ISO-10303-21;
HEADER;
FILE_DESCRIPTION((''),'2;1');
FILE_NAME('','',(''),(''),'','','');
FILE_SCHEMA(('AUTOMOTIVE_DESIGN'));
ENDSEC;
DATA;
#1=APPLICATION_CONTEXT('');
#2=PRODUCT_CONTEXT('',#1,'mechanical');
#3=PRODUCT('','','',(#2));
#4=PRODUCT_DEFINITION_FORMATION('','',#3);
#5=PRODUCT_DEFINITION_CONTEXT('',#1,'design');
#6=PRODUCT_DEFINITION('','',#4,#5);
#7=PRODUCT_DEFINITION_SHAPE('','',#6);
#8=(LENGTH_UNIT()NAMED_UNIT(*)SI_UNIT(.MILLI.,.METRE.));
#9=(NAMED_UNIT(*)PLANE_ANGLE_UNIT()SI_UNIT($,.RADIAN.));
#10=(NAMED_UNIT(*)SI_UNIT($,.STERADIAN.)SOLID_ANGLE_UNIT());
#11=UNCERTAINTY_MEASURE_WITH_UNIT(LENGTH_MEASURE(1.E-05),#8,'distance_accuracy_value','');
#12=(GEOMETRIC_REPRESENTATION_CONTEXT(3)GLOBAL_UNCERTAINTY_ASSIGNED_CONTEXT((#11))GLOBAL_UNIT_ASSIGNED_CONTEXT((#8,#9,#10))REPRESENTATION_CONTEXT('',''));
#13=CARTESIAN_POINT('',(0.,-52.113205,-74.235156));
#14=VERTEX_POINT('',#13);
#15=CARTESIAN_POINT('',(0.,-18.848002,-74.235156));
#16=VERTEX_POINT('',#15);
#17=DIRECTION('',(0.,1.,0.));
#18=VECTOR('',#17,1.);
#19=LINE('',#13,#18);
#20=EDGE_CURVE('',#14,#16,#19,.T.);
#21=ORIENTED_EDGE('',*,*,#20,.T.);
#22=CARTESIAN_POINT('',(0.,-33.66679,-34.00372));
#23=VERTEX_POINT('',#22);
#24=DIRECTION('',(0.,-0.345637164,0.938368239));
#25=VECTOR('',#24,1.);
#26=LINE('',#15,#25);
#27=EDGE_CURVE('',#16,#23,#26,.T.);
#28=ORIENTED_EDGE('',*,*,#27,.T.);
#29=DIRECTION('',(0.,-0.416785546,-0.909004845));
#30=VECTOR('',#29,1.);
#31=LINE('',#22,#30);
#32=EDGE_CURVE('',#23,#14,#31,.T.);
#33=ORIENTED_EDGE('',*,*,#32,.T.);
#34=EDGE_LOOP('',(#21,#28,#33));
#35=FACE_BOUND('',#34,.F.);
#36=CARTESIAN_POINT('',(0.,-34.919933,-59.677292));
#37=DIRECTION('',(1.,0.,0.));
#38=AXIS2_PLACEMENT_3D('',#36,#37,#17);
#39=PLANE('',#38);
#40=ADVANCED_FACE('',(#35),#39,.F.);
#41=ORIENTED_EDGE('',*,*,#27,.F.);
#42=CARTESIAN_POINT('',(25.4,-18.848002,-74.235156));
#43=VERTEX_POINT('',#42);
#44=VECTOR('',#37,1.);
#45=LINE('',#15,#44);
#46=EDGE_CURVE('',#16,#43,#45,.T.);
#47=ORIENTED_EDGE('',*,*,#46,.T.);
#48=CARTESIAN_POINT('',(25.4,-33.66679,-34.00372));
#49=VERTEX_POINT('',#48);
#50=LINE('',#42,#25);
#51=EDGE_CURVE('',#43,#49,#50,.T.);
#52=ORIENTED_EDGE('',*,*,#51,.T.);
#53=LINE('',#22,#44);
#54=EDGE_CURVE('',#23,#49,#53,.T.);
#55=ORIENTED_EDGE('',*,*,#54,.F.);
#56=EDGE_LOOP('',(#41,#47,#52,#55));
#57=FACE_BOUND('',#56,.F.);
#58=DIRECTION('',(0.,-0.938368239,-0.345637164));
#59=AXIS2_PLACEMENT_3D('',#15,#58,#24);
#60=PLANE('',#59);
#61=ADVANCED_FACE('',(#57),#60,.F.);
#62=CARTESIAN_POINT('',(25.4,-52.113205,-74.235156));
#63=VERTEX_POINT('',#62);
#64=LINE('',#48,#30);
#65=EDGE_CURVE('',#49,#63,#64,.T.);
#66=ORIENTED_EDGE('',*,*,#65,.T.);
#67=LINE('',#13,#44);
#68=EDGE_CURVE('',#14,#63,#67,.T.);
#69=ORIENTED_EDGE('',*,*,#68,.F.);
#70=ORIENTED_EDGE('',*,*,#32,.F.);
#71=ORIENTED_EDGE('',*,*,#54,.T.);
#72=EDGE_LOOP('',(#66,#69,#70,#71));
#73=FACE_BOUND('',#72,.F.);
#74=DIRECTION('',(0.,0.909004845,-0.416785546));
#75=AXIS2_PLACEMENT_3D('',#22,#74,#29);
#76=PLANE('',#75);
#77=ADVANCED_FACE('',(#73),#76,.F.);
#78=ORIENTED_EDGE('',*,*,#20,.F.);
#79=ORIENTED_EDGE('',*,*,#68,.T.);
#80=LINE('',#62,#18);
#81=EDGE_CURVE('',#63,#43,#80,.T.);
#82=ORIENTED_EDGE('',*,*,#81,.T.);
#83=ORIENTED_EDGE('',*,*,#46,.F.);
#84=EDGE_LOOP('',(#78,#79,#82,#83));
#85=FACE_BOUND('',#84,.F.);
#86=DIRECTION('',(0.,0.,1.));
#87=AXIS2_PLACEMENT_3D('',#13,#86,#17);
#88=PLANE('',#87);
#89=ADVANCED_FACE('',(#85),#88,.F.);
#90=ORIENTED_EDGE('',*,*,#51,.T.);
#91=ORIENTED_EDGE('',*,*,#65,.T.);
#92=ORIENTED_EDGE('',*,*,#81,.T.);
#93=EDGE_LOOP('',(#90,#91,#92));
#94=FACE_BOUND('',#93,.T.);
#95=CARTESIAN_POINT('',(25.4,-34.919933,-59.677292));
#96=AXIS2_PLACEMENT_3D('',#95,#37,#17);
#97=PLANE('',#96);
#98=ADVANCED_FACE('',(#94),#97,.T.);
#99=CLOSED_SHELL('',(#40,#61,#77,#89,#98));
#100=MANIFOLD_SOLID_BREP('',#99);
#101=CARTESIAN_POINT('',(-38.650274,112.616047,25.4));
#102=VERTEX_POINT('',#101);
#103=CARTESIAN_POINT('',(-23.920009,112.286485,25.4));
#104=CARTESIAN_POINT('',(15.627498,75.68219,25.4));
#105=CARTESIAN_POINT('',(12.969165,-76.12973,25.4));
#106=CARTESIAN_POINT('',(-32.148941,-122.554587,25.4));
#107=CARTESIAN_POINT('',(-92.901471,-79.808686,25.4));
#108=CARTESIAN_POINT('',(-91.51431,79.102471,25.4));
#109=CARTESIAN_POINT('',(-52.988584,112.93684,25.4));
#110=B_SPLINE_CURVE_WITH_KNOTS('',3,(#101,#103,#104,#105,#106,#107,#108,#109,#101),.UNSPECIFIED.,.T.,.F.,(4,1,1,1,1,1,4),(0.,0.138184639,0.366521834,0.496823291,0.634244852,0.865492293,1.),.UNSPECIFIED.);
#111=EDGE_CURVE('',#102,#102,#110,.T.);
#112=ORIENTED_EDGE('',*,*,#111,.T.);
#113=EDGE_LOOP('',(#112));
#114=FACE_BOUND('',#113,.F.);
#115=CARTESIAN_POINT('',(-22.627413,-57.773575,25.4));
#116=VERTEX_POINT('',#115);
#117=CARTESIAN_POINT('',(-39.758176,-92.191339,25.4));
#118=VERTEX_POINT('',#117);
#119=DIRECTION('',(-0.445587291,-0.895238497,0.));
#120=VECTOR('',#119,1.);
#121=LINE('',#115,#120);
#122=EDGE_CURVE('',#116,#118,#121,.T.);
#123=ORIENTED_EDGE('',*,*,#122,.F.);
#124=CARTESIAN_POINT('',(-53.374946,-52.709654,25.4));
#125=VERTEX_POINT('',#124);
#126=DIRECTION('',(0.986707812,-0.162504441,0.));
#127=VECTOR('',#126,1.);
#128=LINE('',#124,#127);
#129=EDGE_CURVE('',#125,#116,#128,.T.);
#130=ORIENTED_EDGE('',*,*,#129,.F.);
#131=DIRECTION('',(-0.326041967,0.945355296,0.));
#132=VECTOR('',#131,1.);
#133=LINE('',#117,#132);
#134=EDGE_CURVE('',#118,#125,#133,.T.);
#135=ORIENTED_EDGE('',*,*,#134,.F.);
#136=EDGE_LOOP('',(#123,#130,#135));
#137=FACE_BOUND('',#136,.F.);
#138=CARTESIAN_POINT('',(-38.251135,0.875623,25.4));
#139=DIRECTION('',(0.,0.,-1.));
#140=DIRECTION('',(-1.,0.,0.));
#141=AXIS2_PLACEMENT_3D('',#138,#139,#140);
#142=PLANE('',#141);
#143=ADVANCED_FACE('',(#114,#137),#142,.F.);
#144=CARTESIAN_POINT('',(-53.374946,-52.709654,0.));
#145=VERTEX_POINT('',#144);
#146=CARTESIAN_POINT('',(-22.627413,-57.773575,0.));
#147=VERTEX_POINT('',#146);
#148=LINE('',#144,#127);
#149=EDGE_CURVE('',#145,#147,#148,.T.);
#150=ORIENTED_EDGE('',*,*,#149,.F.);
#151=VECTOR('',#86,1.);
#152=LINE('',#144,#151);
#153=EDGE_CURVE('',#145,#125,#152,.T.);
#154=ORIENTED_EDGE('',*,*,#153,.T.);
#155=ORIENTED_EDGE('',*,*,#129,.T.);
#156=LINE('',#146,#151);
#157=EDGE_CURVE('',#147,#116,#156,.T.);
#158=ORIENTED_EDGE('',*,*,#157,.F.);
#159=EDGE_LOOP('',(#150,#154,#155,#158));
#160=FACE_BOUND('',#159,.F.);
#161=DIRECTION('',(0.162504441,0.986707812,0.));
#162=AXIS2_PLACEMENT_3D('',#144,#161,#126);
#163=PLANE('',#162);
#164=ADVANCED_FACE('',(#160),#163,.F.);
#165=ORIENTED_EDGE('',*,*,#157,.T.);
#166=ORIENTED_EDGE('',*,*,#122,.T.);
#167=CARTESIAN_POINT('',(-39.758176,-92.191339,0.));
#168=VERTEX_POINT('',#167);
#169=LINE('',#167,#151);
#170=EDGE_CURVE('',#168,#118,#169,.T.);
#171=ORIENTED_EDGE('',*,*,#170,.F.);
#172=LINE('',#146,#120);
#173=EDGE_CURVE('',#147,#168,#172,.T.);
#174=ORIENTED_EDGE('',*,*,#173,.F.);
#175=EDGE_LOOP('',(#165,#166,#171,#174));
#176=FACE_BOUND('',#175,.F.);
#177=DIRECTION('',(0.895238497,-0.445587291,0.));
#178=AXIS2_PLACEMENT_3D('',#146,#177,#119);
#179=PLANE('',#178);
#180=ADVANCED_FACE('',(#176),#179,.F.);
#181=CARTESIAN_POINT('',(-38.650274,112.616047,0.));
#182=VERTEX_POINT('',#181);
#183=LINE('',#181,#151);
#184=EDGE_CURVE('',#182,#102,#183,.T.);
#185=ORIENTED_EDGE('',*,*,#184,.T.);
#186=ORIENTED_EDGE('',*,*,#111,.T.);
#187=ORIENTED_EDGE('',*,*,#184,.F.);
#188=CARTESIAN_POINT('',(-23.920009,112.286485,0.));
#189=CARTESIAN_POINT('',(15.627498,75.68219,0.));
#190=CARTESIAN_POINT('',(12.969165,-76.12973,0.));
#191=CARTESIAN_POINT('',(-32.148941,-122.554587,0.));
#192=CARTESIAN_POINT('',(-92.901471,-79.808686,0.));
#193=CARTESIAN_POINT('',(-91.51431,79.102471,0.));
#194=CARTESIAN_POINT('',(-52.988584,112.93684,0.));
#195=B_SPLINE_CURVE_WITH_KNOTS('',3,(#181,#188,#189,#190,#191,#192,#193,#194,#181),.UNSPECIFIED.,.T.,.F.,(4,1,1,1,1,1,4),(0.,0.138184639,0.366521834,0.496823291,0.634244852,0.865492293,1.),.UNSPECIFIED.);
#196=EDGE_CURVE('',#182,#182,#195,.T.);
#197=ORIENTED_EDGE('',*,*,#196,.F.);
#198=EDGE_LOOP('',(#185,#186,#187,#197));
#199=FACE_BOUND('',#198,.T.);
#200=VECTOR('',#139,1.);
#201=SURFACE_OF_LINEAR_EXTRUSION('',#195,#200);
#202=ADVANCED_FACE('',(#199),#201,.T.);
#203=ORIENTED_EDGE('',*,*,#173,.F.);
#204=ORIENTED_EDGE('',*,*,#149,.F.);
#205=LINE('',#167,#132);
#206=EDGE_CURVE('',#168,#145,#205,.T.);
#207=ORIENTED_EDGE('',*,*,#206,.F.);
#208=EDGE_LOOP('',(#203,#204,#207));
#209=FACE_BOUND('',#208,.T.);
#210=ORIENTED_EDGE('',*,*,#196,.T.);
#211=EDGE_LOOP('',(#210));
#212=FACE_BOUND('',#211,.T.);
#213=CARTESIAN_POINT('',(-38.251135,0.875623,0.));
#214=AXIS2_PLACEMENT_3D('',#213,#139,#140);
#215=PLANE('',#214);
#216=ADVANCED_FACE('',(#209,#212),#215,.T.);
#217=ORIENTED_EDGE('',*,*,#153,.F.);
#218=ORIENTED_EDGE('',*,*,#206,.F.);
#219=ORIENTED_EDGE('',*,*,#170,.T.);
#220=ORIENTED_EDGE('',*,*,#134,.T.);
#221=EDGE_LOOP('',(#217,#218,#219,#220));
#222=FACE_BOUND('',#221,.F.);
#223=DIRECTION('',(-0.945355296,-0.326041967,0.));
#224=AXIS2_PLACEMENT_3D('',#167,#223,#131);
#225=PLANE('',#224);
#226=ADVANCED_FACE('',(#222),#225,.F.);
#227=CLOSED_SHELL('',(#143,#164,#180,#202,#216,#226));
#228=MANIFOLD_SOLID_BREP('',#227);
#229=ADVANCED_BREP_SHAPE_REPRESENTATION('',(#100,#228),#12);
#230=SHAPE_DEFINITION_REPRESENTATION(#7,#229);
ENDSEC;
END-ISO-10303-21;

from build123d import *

# Parameters (mm, degrees)
F1_DEPTH = 25.4
F3_DEPTH = 25.4


with BuildPart() as f1:
    # F0 (on Top) → F1 (new body)
    with BuildSketch(Plane.XY):
        with BuildLine():
            add(Edge.make_bspline(
                [(-38.6502742767, 112.6160472631), (-23.9200092726, 112.2864851033), (15.6274982347, 75.6821903111), (12.9691652922, -76.1297301163), (-32.1489410614, -122.5545868034), (-92.9014706671, -79.8086855129), (-91.5143101117, 79.1024713842), (-52.9885842178, 112.9368401608), (-38.6502742767, 112.6160472631)],
                knots=[0, 0, 0, 0, 0.1381846385, 0.3665218339, 0.4968232914, 0.6342448523, 0.8654922925, 1, 1, 1, 1], degree=3))
        make_face()
        Polygon((-39.7581756115, -92.1913385391), (-53.3749461174, -52.7096539736), (-22.6274132729, -57.7735751867), align=None, mode=Mode.SUBTRACT)
    extrude(amount=F1_DEPTH)


with BuildPart() as f3:
    # F2 (on Right) → F3 (new body)
    with BuildSketch(Plane.YZ):
        Polygon((-18.8480019569, -74.2351561785), (-33.6667895317, -34.0037196875), (-52.1132051945, -74.2351561785), align=None)
    extrude(amount=F3_DEPTH)


solid = Compound([f1.part, f3.part])
